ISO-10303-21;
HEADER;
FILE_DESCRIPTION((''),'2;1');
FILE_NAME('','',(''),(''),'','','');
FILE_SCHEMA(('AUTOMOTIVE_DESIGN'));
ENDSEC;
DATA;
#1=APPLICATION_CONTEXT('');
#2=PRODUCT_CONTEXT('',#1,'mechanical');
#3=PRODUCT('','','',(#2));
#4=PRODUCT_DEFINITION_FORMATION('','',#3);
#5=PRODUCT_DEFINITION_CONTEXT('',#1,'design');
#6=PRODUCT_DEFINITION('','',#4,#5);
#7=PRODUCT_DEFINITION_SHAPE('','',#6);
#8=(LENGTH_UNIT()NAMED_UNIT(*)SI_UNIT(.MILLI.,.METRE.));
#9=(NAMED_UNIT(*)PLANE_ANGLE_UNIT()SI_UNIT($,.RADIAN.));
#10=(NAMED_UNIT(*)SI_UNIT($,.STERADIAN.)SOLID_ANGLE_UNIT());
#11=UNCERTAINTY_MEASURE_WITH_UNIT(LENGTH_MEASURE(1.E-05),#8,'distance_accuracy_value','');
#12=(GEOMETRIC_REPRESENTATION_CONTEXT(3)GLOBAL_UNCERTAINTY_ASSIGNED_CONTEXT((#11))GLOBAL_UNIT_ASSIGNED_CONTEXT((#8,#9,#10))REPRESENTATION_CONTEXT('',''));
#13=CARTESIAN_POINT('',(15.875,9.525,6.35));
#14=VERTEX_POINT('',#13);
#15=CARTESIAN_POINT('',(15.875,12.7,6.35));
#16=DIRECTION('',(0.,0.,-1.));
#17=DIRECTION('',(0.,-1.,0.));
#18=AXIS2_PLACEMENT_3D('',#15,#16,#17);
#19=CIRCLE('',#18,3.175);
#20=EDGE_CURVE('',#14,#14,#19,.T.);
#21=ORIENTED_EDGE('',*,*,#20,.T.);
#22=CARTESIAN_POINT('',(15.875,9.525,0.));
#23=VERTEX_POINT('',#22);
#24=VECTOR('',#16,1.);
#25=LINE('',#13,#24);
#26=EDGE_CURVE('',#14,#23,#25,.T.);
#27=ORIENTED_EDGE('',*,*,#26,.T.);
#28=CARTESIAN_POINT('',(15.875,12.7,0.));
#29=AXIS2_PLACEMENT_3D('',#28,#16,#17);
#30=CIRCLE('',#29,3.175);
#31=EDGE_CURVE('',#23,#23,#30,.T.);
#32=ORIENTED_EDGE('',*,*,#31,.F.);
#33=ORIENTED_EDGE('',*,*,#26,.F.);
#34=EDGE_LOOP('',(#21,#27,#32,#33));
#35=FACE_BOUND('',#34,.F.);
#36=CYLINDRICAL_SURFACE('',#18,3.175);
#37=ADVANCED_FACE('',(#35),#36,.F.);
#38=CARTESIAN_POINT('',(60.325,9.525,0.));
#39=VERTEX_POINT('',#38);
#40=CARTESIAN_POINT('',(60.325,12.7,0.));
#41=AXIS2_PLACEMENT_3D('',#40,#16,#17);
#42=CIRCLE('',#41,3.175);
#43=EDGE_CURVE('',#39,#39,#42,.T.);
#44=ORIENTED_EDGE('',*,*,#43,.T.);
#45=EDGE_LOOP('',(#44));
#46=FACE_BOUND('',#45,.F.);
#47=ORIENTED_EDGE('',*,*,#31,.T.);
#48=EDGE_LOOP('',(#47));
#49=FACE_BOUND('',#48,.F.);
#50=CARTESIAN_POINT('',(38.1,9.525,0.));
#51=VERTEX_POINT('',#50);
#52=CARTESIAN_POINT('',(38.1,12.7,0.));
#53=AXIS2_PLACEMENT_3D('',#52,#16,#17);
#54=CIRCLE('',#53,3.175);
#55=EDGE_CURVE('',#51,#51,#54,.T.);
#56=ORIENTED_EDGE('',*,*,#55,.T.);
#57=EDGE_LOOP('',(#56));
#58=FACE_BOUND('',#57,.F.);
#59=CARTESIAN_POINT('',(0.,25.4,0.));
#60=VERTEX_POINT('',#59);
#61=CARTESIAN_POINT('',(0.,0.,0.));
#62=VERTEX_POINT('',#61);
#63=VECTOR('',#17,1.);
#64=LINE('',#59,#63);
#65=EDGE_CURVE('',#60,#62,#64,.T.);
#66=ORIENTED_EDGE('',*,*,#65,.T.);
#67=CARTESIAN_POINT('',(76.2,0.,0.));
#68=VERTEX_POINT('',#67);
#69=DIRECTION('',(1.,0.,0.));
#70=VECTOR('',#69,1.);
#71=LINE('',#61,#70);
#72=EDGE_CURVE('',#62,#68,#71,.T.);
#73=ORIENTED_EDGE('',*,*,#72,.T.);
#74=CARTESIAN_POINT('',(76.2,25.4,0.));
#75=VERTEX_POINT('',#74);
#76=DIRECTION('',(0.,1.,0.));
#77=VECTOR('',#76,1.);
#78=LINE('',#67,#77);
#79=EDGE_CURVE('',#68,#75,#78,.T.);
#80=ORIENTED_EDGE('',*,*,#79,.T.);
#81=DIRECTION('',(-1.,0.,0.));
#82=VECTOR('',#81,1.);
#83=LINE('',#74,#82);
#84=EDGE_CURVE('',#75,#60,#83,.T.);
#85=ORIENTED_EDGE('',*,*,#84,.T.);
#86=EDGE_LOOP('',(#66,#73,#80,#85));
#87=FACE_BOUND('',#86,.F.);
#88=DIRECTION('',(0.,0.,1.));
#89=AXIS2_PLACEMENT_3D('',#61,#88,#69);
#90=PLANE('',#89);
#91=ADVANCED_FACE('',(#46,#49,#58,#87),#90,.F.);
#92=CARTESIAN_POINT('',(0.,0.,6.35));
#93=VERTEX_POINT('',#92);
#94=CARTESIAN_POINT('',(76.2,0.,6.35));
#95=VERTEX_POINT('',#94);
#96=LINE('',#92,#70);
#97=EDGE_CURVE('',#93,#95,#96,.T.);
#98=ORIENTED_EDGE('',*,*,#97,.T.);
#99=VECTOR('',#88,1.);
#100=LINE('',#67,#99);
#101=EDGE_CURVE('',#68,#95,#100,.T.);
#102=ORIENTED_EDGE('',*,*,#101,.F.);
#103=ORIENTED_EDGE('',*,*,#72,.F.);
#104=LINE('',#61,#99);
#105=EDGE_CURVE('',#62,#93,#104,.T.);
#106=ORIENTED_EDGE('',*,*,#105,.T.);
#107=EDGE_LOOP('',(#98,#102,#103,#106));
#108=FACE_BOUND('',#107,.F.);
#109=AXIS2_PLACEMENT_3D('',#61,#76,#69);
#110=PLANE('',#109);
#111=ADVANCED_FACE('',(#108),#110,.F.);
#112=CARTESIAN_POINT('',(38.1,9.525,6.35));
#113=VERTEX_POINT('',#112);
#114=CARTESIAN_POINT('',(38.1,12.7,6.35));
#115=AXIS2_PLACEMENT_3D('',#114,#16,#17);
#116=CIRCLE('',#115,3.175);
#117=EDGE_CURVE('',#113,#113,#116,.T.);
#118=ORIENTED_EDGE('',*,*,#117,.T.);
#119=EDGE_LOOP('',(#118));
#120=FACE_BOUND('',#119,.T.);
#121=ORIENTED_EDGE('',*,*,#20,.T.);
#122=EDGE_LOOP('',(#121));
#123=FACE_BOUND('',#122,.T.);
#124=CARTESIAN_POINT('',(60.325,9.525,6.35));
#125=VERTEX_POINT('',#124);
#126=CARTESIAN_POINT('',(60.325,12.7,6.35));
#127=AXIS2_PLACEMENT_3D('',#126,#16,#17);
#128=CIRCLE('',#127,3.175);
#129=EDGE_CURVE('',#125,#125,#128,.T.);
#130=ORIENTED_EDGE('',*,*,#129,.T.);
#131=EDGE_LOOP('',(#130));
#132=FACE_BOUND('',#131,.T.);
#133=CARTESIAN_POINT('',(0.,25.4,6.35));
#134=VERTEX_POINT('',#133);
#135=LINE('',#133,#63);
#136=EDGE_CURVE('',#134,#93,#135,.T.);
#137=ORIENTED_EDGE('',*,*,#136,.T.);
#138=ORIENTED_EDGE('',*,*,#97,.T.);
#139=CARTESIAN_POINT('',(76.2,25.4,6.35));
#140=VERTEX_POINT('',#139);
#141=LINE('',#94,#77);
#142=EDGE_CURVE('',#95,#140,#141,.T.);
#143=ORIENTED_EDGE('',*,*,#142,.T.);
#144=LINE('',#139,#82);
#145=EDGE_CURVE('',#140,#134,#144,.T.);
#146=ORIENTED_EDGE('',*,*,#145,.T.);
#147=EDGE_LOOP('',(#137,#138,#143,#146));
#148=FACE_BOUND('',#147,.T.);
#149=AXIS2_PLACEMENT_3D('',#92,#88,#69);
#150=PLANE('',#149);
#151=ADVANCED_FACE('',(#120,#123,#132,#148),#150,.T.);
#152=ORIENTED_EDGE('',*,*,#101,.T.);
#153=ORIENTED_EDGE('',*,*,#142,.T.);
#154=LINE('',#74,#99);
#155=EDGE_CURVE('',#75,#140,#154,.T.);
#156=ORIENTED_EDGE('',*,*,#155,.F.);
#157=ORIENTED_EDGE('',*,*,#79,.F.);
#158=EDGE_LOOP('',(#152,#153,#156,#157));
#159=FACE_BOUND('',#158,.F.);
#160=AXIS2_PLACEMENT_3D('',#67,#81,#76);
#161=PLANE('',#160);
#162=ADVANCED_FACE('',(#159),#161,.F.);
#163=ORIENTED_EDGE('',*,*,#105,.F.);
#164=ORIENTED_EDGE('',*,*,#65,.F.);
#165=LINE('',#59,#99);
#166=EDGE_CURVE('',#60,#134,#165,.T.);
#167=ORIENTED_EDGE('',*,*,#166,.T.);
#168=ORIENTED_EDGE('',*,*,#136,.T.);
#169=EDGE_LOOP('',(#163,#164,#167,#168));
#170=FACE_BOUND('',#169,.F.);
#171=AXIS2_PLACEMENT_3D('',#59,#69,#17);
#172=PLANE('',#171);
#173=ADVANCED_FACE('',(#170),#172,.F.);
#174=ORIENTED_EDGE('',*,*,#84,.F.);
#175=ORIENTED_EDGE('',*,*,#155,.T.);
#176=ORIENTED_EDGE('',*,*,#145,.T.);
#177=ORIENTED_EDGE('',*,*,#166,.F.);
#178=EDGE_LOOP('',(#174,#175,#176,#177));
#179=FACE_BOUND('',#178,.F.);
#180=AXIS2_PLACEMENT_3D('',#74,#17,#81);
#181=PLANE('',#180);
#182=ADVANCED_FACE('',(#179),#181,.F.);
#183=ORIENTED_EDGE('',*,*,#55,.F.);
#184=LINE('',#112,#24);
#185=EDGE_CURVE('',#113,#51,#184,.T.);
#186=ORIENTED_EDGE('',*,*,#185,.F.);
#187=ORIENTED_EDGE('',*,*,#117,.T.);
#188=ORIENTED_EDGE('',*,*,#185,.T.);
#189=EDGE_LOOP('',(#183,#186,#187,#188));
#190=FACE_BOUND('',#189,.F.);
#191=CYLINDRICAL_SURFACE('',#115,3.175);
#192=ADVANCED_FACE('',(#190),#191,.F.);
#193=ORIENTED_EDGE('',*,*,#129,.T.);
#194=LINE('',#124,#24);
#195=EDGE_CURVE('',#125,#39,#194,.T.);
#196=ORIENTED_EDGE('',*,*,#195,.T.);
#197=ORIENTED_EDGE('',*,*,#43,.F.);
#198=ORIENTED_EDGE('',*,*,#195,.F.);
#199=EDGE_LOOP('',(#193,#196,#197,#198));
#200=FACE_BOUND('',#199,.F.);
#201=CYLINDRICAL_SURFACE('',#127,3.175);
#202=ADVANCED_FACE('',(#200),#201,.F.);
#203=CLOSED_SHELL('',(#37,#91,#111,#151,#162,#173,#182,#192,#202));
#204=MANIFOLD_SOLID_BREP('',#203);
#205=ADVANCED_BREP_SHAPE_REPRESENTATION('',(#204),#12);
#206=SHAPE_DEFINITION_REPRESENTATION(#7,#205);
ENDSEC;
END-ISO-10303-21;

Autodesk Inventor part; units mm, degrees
ref_plane "YZ Plane" through (0, 0, 0) normal (1, 0, 0) x (0, 1, 0)
ref_plane "XZ Plane" through (0, 0, 0) normal (0, 1, 0) x (-1, 0, 0)
ref_plane "XY Plane" through (0, 0, 0) normal (0, 0, 1) x (1, 0, 0)
sketch "Sketch1" plane through (0, 0, 0) normal (0, 0, 1) x (1, 0, 0)
  line L0 (0, 0) -> (76.2, 0)
  line L1 (76.2, 0) -> (76.2, 25.4)
  line L2 (76.2, 25.4) -> (0, 25.4)
  line L3 (0, 25.4) -> (0, 0)
  dimension "d0" = 25.4
  dimension "d1" = 76.2
extrude "Extrusion1" add sketch "Sketch1" along normal blind 6.35
sketch "Sketch2" plane through (0, 0, 6.35) normal (0, 0, 1) x (1, 0, 0)
  line L0 (0, 0) -> (76.2, 0) projected
  line L1 (76.2, 0) -> (76.2, 25.4) projected
  line L2 (76.2, 25.4) -> (0, 25.4) projected
  line L3 (0, 25.4) -> (0, 0) projected
  line L4 (15.875, 12.7) -> (60.325, 12.7) construction
  point P0 (38.1, 12.7)
  point P1 (38.1, 12.7)
  dimension "d4" = 44.45
  dimension "d5" = 12.7
  dimension "d6" = 15.875
  dimension "d14" = 15.875
hole "Hole1" at (15.875, 12.7, 6.35) at (38.1, 12.7, 6.35) at (60.325, 12.7, 6.35) direction (0, 0, -1) diameter 6.35 end through all
equation "\"d6\" = d14"
properties part number "ScissorLiftSliderBracket"
